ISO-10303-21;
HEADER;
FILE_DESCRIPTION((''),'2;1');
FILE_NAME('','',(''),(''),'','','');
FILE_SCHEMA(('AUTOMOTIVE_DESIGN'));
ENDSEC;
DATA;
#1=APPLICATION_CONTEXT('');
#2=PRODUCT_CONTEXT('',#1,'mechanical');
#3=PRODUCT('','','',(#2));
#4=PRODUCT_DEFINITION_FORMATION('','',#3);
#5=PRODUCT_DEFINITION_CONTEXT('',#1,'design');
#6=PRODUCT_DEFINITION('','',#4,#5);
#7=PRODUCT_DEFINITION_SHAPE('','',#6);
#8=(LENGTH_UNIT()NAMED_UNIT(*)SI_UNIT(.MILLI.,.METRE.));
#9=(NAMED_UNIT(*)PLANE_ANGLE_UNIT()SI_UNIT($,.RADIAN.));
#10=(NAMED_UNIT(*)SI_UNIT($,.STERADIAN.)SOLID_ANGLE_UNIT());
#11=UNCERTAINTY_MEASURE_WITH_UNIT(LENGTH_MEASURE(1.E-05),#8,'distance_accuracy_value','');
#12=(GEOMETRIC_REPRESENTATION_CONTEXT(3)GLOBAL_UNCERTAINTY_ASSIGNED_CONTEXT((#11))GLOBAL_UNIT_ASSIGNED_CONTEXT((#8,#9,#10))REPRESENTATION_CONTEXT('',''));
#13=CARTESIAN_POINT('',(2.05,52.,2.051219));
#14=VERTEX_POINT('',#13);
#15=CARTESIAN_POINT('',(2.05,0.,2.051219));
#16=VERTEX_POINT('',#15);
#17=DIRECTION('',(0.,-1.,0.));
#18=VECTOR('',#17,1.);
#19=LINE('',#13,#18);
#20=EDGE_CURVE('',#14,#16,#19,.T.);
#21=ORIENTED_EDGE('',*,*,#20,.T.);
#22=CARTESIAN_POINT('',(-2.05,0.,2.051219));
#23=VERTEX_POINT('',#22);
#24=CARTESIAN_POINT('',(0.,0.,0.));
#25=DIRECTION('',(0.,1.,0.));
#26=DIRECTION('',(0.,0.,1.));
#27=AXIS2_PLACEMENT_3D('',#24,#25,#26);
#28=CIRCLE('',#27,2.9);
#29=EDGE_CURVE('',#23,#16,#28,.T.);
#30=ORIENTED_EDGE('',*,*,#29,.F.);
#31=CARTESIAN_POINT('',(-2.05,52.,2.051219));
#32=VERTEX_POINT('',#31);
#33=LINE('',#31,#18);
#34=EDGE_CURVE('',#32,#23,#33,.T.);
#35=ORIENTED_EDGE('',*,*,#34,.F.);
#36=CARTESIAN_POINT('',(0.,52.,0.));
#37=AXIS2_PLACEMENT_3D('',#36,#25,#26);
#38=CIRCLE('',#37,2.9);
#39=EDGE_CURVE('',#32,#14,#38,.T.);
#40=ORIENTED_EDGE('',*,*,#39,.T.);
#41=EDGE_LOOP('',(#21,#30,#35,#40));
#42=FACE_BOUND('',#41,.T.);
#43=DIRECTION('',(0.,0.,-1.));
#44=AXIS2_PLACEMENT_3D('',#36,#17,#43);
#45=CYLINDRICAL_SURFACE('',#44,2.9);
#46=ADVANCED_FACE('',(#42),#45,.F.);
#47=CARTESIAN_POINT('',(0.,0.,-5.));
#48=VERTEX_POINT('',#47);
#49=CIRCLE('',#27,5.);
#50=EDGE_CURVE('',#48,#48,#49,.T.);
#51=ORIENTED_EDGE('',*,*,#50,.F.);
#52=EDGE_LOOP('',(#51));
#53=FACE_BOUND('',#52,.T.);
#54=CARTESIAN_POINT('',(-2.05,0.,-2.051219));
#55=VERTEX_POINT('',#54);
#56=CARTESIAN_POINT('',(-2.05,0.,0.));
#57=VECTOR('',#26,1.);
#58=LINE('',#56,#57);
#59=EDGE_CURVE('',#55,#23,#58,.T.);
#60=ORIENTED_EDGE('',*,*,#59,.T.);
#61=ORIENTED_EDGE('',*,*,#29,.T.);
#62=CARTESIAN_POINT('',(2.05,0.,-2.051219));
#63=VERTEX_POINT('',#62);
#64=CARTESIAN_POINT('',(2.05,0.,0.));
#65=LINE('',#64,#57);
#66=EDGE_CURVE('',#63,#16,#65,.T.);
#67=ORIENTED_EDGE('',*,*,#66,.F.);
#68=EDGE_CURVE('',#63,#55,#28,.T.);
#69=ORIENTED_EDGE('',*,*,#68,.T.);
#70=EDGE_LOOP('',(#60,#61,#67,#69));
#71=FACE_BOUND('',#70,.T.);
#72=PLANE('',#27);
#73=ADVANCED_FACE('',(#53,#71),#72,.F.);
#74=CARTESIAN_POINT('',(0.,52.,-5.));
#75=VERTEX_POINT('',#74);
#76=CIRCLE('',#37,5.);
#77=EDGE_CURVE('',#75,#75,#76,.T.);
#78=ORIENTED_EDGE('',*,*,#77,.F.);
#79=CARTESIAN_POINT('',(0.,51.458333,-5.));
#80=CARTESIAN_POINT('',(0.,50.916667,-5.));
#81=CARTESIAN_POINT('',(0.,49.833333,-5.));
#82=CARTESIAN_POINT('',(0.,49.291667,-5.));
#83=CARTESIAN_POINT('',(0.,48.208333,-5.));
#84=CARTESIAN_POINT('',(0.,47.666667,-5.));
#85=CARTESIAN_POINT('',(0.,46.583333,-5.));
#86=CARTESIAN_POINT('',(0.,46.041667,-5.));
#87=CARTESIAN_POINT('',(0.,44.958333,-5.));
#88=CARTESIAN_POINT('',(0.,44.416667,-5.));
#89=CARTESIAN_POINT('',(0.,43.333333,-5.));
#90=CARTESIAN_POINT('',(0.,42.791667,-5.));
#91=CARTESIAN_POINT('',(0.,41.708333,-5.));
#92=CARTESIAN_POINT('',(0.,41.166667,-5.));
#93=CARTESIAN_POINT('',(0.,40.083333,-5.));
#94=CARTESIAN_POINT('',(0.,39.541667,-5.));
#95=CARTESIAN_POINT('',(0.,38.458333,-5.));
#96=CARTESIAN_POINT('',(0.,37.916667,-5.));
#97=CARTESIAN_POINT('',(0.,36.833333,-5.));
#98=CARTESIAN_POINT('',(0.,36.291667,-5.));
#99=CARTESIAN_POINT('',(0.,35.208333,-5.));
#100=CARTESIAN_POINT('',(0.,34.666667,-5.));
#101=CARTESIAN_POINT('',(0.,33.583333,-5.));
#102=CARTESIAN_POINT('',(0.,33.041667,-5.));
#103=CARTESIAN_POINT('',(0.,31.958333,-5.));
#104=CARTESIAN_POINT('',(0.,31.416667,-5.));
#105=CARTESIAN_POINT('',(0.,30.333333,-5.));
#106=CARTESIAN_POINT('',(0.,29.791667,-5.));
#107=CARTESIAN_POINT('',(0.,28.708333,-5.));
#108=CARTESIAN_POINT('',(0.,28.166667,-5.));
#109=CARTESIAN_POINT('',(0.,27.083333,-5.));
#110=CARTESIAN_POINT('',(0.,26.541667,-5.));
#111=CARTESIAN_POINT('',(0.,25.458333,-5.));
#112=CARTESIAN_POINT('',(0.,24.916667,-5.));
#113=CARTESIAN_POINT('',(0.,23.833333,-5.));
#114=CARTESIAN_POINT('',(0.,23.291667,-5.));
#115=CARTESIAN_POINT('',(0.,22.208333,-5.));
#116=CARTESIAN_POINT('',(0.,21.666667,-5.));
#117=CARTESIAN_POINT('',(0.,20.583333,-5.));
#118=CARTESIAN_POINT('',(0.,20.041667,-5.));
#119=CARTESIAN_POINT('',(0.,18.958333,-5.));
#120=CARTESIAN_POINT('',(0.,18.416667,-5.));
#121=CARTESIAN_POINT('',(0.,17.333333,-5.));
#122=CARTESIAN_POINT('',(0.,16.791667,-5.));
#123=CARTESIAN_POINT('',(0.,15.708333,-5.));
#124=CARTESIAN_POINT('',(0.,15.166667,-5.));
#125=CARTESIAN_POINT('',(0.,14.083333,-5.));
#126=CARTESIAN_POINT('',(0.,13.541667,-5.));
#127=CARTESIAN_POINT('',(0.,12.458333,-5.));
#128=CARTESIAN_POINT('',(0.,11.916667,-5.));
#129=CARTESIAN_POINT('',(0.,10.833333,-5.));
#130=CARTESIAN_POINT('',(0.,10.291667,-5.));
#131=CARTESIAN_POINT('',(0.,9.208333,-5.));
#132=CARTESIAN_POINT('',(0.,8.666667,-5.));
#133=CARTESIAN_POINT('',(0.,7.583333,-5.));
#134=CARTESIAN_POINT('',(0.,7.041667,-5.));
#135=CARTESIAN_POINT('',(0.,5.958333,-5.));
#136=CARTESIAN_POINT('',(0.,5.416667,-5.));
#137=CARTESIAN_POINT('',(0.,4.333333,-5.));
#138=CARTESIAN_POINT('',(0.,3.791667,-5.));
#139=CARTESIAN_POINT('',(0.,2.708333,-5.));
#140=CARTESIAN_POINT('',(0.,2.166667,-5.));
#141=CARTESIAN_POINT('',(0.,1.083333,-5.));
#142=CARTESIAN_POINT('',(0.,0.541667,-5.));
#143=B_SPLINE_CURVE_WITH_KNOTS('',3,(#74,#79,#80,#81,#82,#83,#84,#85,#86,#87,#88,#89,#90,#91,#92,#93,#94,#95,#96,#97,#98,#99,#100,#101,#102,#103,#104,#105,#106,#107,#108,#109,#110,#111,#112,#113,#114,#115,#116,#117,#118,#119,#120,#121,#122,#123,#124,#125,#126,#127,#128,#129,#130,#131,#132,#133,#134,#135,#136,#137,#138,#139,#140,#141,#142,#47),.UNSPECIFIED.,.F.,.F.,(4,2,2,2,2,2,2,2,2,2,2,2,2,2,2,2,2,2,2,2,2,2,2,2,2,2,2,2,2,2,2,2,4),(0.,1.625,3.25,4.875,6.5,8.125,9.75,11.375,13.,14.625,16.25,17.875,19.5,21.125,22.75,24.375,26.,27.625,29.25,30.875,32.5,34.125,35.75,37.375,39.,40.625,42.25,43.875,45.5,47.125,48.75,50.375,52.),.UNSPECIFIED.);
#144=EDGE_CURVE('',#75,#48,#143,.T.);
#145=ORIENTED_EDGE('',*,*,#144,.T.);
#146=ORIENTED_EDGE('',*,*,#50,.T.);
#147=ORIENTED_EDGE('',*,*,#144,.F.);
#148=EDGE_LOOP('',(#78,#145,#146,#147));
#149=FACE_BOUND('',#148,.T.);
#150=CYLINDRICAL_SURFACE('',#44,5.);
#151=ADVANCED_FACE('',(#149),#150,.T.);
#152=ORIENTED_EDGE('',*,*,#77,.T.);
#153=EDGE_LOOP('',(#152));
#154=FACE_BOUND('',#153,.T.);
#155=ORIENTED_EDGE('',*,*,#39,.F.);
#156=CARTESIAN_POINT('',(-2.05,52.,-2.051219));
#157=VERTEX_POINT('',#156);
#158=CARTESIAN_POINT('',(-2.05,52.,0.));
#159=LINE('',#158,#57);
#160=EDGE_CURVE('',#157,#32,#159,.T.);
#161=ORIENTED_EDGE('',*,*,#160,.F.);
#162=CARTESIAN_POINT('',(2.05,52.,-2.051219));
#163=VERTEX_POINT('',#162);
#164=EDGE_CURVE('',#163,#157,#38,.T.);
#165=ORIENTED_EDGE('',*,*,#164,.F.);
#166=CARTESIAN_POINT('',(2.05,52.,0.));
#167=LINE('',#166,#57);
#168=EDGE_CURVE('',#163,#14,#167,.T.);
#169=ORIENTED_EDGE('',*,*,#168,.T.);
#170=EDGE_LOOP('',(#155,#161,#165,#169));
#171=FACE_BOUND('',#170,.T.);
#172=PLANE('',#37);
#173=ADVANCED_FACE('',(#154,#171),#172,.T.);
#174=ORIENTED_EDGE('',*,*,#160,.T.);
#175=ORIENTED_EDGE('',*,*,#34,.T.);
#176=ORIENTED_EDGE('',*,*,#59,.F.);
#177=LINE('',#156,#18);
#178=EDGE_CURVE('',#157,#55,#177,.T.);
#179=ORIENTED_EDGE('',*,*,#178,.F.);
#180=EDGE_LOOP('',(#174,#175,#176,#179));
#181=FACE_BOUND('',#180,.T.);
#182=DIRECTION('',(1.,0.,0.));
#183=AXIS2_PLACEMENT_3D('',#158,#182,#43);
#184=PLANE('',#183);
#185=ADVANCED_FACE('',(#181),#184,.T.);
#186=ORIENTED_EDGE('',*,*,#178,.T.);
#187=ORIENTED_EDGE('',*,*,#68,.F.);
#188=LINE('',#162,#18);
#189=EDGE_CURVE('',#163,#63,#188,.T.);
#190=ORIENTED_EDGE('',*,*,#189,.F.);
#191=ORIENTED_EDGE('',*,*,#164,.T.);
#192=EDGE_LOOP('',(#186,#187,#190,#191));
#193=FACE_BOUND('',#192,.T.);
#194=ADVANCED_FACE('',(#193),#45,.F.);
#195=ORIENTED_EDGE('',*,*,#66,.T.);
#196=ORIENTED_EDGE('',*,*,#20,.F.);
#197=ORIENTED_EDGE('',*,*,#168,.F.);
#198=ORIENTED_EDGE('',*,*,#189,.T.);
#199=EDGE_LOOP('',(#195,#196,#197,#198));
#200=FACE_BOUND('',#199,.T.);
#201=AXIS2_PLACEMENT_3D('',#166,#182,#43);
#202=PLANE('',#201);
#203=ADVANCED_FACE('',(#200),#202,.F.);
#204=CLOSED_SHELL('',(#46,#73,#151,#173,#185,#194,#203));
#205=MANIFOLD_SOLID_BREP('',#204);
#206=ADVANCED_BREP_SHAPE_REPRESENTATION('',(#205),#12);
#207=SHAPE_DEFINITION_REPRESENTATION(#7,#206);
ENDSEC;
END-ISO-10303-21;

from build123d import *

# Parameters (mm, degrees)
SKETCH1_R           = 5
BOSS_EXTRUDE1_DEPTH = 52


with BuildPart() as part:
    # Sketch1 → Boss-Extrude1 (new body)
    with BuildSketch(Plane(origin=(0, 0, 0), x_dir=(1, 0, 0), z_dir=(0, 1, 0))):
        with Locations(Location((0, 0, 0), (0, 0, 90))):
            Circle(SKETCH1_R)
        with BuildLine():
            Line((-2.05, 2.05121915), (-2.05, -2.05121915))
            ThreePointArc((-2.05, -2.05121915), (0, -2.9), (2.05, -2.05121915))
            Line((2.05, -2.05121915), (2.05, 2.05121915))
            ThreePointArc((2.05, 2.05121915), (0, 2.9), (-2.05, 2.05121915))
        make_face(mode=Mode.SUBTRACT)
    extrude(amount=BOSS_EXTRUDE1_DEPTH)


solid = part.part
